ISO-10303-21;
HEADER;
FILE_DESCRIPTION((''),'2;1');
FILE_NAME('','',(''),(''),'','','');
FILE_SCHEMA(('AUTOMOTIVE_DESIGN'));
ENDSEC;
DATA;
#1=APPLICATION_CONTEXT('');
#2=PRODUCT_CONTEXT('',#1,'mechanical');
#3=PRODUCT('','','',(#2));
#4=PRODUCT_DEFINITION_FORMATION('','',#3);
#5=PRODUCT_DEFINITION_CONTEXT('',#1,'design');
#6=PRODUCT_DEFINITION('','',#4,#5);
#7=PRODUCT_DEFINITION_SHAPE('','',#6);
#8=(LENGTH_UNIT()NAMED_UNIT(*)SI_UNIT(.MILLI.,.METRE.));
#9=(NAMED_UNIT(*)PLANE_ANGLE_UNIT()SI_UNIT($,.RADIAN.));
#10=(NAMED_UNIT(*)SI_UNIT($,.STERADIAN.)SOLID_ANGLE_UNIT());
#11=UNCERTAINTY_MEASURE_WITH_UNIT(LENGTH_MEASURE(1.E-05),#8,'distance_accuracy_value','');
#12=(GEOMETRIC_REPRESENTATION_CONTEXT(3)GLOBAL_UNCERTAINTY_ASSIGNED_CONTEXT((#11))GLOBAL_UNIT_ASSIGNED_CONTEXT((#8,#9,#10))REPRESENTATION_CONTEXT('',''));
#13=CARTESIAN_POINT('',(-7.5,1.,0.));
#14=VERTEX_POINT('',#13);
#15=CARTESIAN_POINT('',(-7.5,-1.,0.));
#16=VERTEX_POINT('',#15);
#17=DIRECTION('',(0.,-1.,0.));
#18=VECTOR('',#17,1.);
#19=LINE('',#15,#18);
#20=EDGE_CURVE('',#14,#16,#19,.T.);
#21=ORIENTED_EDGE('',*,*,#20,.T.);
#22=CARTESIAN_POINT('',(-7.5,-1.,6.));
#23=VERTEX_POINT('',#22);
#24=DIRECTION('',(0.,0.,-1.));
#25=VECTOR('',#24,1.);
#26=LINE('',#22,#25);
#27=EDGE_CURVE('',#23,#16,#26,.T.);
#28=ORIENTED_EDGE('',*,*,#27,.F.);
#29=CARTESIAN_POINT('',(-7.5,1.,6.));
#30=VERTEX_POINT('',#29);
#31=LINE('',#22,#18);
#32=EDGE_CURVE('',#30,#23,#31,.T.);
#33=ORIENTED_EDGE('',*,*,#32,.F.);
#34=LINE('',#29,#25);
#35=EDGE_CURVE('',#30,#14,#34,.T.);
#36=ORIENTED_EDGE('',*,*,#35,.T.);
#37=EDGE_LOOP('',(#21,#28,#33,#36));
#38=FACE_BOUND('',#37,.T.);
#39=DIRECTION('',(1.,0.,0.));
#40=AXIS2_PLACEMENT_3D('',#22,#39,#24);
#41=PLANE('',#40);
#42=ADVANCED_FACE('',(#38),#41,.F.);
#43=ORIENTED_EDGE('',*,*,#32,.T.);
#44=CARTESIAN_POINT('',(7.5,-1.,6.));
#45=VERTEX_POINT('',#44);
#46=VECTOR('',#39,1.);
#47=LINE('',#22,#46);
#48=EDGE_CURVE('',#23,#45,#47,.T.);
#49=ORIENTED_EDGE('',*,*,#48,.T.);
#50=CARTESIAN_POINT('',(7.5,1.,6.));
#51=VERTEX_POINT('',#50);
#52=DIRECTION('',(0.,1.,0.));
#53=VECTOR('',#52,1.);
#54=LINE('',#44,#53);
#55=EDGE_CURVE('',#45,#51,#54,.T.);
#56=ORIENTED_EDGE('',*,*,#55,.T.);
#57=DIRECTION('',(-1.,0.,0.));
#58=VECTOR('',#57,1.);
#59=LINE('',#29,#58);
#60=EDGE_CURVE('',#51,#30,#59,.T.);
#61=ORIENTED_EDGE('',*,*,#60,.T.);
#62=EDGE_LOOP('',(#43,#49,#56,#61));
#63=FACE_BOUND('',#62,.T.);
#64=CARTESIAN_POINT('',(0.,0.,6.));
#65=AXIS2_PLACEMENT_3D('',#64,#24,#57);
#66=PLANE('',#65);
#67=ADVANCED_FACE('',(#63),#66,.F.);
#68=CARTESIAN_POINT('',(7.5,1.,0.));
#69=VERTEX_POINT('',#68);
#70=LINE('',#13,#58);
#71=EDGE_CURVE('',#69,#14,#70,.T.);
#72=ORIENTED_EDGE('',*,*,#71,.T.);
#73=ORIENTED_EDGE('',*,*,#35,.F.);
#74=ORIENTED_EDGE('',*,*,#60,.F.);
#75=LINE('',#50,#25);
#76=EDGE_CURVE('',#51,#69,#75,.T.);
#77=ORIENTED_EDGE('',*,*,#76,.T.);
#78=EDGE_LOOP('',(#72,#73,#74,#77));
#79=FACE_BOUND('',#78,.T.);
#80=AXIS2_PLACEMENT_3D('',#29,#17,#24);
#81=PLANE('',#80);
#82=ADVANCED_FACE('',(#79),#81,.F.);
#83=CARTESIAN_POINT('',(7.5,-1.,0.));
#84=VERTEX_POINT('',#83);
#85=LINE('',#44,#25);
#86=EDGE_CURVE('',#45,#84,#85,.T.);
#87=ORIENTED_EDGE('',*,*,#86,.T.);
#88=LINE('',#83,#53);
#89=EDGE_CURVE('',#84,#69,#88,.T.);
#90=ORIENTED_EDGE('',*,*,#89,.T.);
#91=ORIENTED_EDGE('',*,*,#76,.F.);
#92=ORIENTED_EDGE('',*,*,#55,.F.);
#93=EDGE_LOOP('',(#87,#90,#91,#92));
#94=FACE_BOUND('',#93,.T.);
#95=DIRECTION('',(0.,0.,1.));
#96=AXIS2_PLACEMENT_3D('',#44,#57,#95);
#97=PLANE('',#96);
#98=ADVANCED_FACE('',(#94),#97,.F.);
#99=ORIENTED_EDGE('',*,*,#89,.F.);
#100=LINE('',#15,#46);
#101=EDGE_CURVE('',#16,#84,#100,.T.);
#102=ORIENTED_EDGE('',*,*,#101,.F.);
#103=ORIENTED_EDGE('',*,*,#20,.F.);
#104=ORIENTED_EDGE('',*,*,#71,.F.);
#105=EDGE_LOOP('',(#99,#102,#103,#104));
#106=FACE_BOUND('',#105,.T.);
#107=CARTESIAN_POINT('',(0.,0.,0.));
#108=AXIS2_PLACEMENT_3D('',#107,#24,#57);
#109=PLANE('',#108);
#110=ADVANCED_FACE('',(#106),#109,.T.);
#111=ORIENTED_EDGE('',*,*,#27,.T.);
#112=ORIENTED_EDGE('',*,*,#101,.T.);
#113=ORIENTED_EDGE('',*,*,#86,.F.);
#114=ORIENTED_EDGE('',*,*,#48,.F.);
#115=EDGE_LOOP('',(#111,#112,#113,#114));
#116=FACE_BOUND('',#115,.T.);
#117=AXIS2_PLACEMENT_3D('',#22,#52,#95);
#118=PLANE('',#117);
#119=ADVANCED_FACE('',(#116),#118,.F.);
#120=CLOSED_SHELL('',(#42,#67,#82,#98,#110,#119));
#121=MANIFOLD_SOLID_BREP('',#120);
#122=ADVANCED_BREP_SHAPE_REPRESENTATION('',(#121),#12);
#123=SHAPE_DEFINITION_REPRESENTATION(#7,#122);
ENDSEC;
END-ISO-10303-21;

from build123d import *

# Parameters (mm, degrees)
ESQUISSE1_W        = 15
ESQUISSE1_H        = 2
BOSS_EXTRU_1_DEPTH = 6


with BuildPart() as part:
    # Esquisse1 → Boss.-Extru.1 (new body)
    with BuildSketch(Plane.XY):
        Rectangle(ESQUISSE1_W, ESQUISSE1_H)
    extrude(amount=BOSS_EXTRU_1_DEPTH)


solid = part.part
